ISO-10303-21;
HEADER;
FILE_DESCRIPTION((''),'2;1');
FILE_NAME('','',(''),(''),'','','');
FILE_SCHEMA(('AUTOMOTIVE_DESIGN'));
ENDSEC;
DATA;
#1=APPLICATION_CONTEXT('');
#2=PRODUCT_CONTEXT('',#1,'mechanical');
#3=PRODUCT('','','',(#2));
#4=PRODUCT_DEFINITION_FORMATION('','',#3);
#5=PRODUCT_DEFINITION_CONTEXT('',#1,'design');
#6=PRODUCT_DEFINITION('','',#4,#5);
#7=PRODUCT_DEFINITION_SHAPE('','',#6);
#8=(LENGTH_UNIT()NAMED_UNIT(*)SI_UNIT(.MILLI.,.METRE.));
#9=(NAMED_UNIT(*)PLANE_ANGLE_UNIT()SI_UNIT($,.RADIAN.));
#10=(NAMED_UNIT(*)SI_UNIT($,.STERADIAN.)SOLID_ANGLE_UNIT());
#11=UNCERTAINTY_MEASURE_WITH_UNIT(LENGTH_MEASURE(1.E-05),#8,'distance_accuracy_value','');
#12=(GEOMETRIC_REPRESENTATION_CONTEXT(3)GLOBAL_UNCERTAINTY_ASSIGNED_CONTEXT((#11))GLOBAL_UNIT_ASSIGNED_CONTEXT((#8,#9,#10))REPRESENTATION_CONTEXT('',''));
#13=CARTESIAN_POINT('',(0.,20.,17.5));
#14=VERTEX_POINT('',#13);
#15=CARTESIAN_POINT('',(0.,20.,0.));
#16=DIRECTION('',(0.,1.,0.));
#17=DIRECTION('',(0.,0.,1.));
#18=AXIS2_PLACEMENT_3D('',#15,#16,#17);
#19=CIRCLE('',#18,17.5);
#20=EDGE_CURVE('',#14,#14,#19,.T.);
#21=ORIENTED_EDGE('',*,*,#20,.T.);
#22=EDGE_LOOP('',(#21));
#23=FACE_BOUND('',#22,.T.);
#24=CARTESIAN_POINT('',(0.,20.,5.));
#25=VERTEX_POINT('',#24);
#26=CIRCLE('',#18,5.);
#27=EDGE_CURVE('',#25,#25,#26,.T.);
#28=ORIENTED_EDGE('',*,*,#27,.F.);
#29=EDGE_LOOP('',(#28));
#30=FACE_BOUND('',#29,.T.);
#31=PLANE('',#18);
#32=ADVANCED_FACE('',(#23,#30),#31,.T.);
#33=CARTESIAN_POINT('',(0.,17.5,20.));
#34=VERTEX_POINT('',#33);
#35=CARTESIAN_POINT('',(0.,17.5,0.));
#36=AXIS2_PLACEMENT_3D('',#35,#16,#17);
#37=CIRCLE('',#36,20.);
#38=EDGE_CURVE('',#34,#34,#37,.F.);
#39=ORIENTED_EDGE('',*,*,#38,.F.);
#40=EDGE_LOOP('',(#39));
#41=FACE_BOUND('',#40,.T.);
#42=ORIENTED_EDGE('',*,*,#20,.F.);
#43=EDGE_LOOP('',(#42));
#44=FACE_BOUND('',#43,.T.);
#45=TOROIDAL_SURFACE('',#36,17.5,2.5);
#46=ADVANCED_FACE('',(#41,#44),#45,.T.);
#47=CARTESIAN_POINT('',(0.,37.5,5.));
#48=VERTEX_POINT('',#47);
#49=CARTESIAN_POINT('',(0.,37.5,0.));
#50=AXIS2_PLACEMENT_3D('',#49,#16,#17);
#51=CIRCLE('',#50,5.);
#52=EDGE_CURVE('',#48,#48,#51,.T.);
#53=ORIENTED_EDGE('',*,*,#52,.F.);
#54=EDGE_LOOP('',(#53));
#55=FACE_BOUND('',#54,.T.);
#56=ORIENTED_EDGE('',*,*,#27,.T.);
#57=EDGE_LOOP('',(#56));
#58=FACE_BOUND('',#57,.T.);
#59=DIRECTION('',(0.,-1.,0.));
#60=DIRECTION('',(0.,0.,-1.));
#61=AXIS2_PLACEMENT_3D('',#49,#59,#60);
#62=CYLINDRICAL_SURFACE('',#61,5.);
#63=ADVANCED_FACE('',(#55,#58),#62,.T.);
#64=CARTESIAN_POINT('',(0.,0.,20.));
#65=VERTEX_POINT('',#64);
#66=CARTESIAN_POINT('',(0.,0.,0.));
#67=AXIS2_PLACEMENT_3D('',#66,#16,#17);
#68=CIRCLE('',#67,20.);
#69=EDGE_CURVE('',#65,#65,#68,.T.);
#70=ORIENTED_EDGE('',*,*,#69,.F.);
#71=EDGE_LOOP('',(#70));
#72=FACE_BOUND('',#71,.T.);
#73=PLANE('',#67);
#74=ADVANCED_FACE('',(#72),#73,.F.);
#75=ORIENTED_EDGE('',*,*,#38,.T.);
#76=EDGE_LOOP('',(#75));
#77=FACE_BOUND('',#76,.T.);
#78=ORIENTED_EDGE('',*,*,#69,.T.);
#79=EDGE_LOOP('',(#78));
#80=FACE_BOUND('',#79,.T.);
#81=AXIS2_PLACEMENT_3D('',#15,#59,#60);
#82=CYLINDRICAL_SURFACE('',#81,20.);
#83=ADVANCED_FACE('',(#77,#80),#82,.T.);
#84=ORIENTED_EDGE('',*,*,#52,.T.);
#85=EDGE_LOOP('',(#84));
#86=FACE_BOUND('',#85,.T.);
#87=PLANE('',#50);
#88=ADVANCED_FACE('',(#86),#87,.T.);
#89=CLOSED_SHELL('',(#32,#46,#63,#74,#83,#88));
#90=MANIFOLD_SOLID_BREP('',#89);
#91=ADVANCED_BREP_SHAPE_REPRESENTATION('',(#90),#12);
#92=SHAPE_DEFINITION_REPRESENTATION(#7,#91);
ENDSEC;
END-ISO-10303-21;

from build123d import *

# Parameters (mm, degrees)
SKETCH1_R           = 20
BOSS_EXTRUDE1_DEPTH = 20
SKETCH2_R           = 5
BOSS_EXTRUDE2_DEPTH = 17.5
FILLET1_R           = 2.5


with BuildPart() as part:
    # Sketch1 → Boss-Extrude1 (new body)
    with BuildSketch(Plane(origin=(0, 0, 0), x_dir=(1, 0, 0), z_dir=(0, 1, 0))):
        Circle(SKETCH1_R)
    extrude(amount=BOSS_EXTRUDE1_DEPTH)

    # Sketch2 → Boss-Extrude2 (add)
    with BuildSketch(Plane(origin=(0, 20, 0), x_dir=(1, 0, 0), z_dir=(0, 1, 0))):
        Circle(SKETCH2_R)
    extrude(amount=BOSS_EXTRUDE2_DEPTH)

    # Fillet1
    fillet1_edges = [part.edges().sort_by_distance(p)[0] for p in [
        (-20, 20, 0),
    ]]
    fillet(fillet1_edges, radius=FILLET1_R)


solid = part.part
